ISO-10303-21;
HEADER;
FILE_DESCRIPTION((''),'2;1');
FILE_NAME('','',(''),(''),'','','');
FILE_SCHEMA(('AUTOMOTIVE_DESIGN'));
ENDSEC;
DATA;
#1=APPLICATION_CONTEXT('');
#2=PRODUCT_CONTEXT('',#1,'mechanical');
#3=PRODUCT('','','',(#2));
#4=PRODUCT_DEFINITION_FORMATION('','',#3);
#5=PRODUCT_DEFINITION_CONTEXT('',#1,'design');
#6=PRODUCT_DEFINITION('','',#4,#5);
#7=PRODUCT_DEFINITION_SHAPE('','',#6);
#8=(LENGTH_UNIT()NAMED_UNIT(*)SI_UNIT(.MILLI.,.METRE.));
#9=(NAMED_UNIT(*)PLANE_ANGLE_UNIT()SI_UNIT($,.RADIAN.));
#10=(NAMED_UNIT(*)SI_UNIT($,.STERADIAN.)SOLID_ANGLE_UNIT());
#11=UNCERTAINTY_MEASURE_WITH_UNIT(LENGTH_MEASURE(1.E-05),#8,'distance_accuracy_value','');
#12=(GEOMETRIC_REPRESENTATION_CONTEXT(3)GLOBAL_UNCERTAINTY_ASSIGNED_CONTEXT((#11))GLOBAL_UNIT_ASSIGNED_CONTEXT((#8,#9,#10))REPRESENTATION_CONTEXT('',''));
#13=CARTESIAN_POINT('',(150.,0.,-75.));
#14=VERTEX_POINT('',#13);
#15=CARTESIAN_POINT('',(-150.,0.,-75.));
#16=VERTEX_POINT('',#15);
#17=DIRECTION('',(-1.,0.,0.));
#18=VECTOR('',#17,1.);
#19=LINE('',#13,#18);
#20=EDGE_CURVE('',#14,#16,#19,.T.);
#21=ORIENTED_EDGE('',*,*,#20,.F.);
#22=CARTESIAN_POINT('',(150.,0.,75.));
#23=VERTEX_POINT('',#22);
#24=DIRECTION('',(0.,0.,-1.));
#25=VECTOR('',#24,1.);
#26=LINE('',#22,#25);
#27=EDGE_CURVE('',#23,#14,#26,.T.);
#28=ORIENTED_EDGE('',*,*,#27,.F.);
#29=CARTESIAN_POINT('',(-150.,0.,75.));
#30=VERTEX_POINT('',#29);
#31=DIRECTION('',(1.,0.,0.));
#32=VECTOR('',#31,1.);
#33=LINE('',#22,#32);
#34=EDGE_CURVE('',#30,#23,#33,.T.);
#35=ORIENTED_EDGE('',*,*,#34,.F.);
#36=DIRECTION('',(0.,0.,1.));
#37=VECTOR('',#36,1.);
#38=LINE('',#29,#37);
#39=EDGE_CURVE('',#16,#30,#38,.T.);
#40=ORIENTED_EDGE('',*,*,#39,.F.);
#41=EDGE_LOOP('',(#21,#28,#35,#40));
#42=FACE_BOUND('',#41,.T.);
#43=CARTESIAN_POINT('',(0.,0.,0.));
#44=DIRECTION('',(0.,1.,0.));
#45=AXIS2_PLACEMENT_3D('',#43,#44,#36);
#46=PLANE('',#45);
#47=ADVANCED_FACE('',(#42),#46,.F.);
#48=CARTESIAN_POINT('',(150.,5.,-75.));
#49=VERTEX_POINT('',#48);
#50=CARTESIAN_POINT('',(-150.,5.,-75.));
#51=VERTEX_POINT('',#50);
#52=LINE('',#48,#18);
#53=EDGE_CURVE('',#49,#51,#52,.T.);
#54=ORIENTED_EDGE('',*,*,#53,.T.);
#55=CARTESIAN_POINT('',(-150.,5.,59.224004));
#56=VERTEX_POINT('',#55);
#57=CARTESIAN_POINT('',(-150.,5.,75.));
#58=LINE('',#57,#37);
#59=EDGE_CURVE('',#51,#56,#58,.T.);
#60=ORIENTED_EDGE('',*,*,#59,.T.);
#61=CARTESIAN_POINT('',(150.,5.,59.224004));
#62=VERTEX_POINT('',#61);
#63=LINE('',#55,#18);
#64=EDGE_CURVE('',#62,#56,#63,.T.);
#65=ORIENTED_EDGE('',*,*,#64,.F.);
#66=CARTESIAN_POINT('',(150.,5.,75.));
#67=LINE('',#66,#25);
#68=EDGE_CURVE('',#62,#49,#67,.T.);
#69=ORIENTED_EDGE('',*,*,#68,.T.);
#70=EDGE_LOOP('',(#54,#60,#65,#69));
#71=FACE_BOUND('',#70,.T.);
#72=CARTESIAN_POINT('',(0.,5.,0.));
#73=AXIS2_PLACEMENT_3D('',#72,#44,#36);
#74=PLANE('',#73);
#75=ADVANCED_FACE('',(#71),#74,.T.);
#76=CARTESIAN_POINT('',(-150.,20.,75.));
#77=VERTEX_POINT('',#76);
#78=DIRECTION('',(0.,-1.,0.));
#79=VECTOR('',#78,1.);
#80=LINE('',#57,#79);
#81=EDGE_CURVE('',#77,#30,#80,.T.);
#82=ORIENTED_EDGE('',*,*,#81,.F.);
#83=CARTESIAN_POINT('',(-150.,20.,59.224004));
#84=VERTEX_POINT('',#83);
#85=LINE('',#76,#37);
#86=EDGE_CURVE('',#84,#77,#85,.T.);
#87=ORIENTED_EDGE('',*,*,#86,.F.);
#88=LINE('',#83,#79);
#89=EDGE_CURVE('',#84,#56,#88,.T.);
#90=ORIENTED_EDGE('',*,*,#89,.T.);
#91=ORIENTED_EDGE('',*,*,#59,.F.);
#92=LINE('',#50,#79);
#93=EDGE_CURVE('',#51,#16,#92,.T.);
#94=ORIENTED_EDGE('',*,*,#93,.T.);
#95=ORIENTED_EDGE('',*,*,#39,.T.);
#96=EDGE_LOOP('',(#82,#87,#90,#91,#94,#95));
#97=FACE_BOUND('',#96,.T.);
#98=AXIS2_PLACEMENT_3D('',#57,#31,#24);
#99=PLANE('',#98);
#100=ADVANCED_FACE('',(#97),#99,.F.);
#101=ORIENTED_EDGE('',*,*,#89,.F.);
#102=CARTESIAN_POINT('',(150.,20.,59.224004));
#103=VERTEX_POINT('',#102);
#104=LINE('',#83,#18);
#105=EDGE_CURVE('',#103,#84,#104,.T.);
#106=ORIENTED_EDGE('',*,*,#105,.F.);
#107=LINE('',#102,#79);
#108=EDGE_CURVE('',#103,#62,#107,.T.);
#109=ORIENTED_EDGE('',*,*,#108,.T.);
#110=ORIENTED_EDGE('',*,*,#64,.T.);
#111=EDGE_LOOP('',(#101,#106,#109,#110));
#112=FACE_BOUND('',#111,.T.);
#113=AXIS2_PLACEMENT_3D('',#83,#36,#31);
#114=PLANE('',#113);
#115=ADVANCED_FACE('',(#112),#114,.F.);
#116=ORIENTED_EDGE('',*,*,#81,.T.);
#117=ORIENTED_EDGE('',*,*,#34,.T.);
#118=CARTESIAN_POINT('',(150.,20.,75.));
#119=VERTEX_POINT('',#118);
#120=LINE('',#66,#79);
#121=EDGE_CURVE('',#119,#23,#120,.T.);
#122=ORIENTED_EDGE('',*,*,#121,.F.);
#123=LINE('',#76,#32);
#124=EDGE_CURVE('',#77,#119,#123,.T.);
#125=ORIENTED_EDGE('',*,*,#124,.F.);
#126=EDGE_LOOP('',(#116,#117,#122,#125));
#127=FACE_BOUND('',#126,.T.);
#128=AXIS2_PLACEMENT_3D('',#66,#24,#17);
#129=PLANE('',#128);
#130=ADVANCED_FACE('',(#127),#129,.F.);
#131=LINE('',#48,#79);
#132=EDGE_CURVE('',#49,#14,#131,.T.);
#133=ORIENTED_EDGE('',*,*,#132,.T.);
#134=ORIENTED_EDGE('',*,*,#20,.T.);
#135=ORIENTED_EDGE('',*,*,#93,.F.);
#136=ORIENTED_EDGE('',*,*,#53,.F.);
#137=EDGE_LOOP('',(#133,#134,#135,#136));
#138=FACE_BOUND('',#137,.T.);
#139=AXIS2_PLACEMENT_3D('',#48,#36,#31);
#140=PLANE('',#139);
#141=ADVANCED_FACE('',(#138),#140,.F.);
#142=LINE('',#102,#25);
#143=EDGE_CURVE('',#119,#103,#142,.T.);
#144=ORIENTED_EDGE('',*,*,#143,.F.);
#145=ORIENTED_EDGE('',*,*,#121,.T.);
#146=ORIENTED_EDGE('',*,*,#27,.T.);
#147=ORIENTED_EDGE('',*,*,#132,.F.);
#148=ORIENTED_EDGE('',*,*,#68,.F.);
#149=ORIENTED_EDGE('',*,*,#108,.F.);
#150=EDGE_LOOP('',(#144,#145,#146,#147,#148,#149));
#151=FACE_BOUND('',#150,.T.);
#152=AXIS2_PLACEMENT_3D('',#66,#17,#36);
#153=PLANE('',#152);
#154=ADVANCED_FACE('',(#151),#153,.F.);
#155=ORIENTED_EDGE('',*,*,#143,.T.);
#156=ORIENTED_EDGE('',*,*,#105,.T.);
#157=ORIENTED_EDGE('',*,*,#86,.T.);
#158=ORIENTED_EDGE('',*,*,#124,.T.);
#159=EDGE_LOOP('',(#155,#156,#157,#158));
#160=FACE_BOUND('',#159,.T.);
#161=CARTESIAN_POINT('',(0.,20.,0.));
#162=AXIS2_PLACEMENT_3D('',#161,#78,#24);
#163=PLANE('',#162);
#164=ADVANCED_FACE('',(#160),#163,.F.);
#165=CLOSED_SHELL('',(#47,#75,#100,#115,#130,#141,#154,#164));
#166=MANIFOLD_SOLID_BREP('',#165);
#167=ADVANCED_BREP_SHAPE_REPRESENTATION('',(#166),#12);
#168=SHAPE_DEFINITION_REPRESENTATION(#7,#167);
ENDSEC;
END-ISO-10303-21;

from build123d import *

# Parameters (mm, degrees)
SKETCH1_W           = 300
SKETCH1_H           = 150
BOSS_EXTRUDE1_DEPTH = 5
SKETCH2_W           = 300
SKETCH2_H           = 15.775995622
BOSS_EXTRUDE2_DEPTH = 15


with BuildPart() as part:
    # Sketch1 → Boss-Extrude1 (new body)
    with BuildSketch(Plane(origin=(0, 0, 0), x_dir=(1, 0, 0), z_dir=(0, 1, 0))):
        Rectangle(SKETCH1_W, SKETCH1_H)
    extrude(amount=BOSS_EXTRUDE1_DEPTH)

    # Sketch2 → Boss-Extrude2 (add)
    with BuildSketch(Plane(origin=(0, 5, 0), x_dir=(1, 0, 0), z_dir=(0, 1, 0))):
        with Locations((0, -67.112002189)):
            Rectangle(SKETCH2_W, SKETCH2_H)
    extrude(amount=BOSS_EXTRUDE2_DEPTH)


solid = part.part
